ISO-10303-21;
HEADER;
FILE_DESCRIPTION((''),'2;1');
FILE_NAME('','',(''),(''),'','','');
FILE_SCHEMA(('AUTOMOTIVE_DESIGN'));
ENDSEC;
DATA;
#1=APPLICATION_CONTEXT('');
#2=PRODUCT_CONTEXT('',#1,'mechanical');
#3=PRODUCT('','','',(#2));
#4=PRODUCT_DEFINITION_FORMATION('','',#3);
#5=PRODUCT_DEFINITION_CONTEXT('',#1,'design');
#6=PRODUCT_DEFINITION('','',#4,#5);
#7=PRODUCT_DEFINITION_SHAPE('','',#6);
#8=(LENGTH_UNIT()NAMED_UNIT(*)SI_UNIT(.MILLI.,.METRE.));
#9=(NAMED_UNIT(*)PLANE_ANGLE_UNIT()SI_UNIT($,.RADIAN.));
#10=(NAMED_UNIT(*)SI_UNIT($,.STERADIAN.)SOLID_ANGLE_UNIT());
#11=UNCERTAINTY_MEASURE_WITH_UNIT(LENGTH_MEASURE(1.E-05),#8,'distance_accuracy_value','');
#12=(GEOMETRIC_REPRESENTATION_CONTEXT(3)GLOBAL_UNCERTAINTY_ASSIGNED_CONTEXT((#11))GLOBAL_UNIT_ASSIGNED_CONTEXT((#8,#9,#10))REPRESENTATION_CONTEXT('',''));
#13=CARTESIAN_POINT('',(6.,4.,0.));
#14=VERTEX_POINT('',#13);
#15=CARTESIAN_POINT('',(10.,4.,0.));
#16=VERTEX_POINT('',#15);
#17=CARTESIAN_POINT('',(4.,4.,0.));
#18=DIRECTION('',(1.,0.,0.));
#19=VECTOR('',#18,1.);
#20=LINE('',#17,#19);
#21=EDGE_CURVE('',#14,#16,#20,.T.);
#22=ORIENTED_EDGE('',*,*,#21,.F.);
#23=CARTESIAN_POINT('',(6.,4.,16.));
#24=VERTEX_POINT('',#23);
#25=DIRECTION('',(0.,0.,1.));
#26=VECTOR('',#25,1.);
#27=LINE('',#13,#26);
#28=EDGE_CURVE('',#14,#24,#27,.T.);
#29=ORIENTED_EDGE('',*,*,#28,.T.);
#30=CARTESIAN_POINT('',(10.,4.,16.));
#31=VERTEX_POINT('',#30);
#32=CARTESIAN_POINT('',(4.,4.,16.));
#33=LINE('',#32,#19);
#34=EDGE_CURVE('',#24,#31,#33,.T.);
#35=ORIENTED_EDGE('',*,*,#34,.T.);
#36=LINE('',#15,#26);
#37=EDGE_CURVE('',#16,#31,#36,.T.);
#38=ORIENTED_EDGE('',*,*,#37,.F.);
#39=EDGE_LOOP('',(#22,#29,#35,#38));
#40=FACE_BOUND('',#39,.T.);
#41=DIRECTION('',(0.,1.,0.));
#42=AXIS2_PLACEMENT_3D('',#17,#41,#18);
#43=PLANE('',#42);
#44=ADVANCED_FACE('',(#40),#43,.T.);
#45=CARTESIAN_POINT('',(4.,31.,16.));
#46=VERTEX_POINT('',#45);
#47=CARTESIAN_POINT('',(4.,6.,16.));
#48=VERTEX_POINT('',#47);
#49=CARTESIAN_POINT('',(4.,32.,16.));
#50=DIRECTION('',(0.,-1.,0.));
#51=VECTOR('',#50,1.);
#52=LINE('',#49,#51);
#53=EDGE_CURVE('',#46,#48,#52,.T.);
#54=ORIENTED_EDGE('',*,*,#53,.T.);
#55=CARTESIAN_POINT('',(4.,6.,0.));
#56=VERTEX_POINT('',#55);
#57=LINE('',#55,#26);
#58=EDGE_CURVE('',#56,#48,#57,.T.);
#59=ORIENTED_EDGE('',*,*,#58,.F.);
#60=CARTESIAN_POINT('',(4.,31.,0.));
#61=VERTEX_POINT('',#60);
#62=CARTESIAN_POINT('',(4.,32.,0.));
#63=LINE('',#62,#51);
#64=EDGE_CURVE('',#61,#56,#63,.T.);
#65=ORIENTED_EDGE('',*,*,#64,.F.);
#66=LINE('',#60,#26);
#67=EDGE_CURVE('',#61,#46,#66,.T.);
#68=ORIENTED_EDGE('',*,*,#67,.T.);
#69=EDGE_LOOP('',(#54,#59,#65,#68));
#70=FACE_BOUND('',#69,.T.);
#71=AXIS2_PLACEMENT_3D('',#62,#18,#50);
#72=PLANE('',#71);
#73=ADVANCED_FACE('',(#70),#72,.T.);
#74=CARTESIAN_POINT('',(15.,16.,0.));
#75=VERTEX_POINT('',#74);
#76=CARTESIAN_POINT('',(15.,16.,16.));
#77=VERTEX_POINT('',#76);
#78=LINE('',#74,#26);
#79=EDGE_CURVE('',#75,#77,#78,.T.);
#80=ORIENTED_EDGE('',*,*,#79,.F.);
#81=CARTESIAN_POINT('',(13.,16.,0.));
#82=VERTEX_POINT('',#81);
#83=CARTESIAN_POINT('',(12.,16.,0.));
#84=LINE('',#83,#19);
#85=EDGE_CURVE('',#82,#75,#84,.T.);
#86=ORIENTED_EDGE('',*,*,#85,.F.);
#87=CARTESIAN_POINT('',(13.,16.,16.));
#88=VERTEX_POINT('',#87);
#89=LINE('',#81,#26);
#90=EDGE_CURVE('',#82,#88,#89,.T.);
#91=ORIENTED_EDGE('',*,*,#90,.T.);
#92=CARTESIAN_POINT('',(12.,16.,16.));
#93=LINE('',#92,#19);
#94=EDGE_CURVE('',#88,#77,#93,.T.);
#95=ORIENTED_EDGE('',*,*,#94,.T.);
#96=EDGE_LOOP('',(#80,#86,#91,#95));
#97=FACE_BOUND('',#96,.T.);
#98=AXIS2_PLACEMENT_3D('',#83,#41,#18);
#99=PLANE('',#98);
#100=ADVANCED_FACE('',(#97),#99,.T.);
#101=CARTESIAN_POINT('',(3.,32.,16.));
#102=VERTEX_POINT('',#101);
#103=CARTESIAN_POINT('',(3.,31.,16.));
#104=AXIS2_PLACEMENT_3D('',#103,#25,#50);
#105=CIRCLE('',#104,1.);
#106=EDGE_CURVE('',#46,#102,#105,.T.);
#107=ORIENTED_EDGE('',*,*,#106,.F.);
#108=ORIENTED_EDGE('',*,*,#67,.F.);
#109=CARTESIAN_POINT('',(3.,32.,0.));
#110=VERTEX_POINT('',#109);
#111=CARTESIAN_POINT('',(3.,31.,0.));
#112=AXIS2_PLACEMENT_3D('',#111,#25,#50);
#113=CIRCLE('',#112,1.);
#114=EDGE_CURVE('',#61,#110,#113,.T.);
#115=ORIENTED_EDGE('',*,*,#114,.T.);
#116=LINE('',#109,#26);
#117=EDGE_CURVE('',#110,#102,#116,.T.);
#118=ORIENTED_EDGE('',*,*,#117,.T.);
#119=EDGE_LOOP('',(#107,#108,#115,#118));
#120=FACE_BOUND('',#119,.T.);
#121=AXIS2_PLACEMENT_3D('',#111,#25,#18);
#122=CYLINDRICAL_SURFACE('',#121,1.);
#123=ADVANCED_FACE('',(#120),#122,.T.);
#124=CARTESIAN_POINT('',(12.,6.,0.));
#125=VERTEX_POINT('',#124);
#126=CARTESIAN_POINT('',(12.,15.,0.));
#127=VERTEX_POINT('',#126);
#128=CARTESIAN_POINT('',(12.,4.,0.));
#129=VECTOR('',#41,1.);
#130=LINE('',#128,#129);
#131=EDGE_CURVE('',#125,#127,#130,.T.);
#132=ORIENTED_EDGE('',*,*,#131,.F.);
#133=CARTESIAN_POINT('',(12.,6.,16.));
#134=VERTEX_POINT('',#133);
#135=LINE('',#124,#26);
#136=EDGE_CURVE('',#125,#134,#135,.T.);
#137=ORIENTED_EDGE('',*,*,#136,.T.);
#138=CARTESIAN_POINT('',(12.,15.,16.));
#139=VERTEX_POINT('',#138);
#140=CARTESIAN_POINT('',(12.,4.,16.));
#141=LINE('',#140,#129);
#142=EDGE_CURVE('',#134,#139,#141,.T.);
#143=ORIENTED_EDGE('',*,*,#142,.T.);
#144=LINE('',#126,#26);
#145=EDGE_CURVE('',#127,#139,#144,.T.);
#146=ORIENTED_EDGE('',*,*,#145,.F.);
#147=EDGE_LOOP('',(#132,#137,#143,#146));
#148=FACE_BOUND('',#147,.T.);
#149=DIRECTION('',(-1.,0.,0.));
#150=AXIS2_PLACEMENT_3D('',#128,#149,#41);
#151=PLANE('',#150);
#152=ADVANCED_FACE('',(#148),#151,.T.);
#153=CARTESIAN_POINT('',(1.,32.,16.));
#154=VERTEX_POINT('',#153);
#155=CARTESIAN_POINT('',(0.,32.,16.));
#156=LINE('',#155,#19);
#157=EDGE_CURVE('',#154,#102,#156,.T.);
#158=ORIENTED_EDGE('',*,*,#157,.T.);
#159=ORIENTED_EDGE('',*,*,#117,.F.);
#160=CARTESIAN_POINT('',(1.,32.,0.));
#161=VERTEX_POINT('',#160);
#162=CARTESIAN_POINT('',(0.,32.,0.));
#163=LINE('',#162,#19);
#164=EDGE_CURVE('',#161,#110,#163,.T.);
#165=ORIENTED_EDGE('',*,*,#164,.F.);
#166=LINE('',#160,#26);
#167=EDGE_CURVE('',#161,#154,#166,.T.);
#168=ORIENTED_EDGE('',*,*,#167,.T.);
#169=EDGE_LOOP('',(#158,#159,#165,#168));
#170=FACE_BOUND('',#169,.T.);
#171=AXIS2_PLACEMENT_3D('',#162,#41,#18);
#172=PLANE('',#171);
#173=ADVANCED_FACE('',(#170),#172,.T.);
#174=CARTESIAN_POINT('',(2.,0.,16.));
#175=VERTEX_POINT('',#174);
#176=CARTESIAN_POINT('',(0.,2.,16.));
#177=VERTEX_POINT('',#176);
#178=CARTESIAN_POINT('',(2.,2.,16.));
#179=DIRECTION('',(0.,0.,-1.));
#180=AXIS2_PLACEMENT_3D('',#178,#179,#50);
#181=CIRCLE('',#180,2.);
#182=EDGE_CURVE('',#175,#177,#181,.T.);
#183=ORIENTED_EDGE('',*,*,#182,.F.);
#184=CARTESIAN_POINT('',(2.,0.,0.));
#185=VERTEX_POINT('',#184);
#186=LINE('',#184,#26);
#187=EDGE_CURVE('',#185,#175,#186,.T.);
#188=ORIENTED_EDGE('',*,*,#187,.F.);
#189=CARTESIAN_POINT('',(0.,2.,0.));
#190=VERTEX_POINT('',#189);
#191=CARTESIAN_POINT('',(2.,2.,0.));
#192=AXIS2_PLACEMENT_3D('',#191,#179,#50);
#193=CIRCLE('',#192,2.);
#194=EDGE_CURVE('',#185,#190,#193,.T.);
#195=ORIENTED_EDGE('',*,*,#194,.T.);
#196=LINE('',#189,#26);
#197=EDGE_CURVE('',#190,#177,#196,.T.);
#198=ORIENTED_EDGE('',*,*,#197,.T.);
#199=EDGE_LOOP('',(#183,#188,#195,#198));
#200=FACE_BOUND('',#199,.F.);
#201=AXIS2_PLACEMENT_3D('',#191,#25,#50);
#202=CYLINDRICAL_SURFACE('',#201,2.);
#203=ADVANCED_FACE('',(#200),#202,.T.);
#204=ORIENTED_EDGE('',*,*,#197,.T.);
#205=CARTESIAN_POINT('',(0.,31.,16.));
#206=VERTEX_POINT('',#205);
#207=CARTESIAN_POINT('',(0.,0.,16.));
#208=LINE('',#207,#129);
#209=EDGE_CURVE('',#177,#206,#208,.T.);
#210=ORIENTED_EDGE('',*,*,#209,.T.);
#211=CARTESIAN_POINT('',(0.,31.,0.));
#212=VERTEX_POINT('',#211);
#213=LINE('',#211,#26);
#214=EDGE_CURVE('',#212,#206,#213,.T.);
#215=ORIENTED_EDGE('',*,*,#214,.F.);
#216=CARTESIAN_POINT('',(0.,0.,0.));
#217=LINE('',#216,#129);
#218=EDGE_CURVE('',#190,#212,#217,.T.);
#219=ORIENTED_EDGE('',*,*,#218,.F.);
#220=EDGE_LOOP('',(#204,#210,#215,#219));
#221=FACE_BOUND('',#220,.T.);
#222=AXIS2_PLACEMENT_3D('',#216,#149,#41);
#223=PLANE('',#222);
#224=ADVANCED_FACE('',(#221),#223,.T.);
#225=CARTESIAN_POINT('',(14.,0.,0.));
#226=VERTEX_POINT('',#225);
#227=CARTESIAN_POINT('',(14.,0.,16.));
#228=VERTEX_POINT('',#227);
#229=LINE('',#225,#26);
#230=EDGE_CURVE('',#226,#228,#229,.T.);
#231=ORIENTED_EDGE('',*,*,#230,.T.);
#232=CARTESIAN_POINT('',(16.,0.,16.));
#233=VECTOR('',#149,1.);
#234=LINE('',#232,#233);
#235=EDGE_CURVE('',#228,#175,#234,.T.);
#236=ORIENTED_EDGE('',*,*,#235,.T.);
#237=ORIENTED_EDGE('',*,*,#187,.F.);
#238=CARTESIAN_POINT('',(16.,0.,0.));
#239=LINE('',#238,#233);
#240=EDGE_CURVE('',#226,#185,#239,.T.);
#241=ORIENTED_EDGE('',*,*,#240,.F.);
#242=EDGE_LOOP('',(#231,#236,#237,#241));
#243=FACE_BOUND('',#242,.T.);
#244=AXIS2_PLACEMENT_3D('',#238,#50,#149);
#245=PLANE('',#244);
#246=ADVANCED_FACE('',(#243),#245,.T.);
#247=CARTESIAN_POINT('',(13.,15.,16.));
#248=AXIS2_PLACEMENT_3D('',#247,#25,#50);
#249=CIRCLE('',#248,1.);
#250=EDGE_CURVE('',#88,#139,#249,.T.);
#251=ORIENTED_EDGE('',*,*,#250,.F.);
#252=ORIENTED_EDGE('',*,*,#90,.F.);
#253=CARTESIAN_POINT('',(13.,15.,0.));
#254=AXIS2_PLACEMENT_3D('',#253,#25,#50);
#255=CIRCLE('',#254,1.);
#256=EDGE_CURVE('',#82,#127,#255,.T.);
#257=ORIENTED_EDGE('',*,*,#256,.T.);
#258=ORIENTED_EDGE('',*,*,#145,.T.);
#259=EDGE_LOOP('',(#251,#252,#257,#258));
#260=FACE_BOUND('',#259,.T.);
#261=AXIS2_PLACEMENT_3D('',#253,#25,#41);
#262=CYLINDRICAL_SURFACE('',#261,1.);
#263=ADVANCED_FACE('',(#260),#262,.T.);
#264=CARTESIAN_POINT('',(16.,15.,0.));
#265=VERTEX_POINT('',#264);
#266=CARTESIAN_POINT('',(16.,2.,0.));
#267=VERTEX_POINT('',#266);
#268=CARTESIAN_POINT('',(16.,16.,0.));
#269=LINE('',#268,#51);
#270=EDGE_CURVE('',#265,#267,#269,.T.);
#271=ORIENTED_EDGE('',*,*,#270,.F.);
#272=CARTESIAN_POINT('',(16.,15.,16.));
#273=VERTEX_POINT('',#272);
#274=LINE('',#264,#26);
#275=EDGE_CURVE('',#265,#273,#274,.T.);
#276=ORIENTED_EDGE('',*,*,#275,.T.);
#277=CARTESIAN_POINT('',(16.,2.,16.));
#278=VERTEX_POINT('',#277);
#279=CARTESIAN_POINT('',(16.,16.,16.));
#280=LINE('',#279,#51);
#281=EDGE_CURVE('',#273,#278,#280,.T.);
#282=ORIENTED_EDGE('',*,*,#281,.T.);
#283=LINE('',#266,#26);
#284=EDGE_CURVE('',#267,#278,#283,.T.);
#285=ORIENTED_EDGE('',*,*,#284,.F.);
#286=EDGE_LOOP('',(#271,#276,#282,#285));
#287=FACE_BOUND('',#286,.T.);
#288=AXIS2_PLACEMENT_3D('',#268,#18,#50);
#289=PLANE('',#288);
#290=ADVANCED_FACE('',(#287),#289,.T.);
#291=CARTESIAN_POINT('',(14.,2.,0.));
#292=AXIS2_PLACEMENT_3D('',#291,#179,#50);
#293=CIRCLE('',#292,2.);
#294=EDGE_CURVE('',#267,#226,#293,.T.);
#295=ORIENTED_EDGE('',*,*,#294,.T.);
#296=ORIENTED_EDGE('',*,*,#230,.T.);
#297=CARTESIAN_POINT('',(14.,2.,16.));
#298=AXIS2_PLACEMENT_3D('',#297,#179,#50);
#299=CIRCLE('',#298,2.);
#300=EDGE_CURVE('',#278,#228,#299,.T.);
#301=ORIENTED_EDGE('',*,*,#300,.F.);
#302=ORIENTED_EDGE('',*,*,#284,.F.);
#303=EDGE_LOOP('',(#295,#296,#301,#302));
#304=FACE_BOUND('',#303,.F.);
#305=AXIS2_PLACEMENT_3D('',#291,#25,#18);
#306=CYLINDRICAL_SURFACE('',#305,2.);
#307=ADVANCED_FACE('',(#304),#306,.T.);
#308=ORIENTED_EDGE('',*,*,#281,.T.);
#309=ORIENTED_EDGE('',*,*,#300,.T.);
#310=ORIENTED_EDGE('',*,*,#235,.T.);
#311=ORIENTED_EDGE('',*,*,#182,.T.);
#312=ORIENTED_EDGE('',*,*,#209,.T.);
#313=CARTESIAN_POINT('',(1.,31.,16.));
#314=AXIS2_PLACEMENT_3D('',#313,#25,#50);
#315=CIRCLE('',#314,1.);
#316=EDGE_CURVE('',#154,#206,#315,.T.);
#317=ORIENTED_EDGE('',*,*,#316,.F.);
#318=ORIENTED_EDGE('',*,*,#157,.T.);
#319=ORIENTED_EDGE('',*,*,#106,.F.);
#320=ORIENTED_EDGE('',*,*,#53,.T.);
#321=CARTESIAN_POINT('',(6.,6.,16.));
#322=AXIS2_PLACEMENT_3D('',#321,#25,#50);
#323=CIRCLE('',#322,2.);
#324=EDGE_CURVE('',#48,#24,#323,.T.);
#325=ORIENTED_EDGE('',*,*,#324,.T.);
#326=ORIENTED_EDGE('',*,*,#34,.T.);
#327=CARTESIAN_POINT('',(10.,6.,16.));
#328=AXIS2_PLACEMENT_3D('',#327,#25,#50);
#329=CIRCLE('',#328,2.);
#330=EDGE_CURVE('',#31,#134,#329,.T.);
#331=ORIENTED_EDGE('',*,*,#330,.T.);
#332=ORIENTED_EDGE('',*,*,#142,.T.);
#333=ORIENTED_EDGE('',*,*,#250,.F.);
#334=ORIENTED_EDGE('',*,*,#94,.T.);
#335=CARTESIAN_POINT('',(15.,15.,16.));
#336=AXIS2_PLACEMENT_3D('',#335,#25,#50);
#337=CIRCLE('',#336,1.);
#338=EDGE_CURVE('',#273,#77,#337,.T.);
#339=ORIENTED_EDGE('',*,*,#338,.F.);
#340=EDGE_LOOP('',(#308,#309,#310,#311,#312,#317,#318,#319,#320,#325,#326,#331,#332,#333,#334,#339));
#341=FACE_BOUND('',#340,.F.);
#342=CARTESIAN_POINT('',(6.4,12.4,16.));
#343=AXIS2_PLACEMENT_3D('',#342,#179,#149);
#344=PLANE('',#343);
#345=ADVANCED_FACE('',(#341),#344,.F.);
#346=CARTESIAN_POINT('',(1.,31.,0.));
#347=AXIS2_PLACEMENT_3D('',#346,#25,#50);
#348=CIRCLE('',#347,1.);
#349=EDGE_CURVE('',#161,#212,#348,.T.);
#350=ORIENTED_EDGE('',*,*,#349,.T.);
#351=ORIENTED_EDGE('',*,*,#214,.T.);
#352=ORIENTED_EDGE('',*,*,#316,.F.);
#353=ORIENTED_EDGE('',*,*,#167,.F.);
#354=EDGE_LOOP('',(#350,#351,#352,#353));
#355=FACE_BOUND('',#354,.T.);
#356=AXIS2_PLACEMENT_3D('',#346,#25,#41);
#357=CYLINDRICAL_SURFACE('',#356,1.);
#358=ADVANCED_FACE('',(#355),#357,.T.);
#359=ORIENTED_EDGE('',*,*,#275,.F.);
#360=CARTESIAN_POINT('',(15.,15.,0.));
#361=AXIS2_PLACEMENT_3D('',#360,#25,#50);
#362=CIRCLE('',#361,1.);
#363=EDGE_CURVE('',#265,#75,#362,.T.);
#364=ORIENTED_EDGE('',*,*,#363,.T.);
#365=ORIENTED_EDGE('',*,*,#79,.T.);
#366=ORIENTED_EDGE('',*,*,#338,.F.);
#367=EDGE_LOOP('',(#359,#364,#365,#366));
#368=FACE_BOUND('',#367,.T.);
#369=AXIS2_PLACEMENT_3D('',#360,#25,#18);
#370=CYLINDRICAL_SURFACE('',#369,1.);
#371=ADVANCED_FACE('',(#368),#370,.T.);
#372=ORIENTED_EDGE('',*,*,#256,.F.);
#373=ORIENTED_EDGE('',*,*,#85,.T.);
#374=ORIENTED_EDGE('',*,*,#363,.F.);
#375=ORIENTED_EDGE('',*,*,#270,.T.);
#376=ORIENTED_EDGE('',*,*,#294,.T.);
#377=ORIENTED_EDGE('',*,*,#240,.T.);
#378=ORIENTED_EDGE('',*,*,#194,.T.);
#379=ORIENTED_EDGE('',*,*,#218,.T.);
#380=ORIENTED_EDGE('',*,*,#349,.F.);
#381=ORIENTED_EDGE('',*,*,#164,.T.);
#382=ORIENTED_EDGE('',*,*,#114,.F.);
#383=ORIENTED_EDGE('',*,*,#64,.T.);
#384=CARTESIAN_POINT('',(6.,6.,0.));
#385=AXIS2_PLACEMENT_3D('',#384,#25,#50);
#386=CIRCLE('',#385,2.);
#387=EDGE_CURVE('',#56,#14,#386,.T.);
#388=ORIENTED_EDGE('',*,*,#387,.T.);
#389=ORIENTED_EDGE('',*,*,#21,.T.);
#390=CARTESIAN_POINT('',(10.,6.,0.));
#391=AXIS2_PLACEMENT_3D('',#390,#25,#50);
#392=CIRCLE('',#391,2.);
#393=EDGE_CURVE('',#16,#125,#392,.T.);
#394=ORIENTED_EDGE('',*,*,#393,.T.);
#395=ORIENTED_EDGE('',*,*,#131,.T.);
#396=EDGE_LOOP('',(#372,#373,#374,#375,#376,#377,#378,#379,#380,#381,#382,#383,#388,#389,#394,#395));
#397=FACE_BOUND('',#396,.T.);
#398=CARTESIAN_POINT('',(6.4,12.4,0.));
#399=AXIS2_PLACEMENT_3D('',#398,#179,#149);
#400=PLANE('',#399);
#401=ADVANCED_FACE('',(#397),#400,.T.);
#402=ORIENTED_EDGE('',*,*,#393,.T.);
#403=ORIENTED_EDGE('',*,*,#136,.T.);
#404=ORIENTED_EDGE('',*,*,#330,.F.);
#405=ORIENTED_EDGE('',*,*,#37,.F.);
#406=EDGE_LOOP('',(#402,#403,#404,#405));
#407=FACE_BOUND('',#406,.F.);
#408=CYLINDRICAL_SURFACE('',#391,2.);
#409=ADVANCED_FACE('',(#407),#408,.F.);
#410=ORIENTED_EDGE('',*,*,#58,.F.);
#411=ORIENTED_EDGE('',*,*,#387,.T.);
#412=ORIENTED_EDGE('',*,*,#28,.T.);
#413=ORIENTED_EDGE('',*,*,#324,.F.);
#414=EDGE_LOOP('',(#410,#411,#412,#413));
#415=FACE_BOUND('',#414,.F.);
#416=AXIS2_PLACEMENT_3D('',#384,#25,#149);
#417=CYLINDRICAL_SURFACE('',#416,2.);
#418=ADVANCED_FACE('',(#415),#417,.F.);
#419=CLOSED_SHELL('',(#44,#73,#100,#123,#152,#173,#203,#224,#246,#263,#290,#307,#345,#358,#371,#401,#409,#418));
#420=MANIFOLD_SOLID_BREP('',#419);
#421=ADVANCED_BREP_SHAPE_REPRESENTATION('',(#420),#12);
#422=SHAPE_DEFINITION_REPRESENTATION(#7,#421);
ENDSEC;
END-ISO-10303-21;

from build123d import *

# Parameters (mm, degrees)
PAD_DEPTH   = 16
FILLET_R    = 2
FILLET001_R = 2
FILLET002_R = 2
FILLET003_R = 2
FILLET004_R = 1
FILLET005_R = 1
FILLET006_R = 1
FILLET007_R = 1


with BuildPart() as part:
    # Sketch → Pad (new body)
    with BuildSketch(Plane.XY):
        Polygon((0, 0), (0, 32), (4, 32), (4, 4), (12, 4), (12, 16), (16, 16), (16, 0), align=None)
    extrude(amount=PAD_DEPTH)

    # Fillet
    fillet_edges = [part.edges().sort_by_distance(p)[0] for p in [
        (4, 4, 8),
    ]]
    fillet(fillet_edges, radius=FILLET_R)

    # Fillet001
    fillet001_edges = [part.edges().sort_by_distance(p)[0] for p in [
        (12, 4, 8),
    ]]
    fillet(fillet001_edges, radius=FILLET001_R)

    # Fillet002
    fillet002_edges = [part.edges().sort_by_distance(p)[0] for p in [
        (16, 0, 8),
    ]]
    fillet(fillet002_edges, radius=FILLET002_R)

    # Fillet003
    fillet003_edges = [part.edges().sort_by_distance(p)[0] for p in [
        (0, 0, 8),
    ]]
    fillet(fillet003_edges, radius=FILLET003_R)

    # Fillet004
    fillet004_edges = [part.edges().sort_by_distance(p)[0] for p in [
        (16, 16, 8),
    ]]
    fillet(fillet004_edges, radius=FILLET004_R)

    # Fillet005
    fillet005_edges = [part.edges().sort_by_distance(p)[0] for p in [
        (12, 16, 8),
    ]]
    fillet(fillet005_edges, radius=FILLET005_R)

    # Fillet006
    fillet006_edges = [part.edges().sort_by_distance(p)[0] for p in [
        (4, 32, 8),
    ]]
    fillet(fillet006_edges, radius=FILLET006_R)

    # Fillet007
    fillet007_edges = [part.edges().sort_by_distance(p)[0] for p in [
        (0, 32, 8),
    ]]
    fillet(fillet007_edges, radius=FILLET007_R)


solid = part.part
